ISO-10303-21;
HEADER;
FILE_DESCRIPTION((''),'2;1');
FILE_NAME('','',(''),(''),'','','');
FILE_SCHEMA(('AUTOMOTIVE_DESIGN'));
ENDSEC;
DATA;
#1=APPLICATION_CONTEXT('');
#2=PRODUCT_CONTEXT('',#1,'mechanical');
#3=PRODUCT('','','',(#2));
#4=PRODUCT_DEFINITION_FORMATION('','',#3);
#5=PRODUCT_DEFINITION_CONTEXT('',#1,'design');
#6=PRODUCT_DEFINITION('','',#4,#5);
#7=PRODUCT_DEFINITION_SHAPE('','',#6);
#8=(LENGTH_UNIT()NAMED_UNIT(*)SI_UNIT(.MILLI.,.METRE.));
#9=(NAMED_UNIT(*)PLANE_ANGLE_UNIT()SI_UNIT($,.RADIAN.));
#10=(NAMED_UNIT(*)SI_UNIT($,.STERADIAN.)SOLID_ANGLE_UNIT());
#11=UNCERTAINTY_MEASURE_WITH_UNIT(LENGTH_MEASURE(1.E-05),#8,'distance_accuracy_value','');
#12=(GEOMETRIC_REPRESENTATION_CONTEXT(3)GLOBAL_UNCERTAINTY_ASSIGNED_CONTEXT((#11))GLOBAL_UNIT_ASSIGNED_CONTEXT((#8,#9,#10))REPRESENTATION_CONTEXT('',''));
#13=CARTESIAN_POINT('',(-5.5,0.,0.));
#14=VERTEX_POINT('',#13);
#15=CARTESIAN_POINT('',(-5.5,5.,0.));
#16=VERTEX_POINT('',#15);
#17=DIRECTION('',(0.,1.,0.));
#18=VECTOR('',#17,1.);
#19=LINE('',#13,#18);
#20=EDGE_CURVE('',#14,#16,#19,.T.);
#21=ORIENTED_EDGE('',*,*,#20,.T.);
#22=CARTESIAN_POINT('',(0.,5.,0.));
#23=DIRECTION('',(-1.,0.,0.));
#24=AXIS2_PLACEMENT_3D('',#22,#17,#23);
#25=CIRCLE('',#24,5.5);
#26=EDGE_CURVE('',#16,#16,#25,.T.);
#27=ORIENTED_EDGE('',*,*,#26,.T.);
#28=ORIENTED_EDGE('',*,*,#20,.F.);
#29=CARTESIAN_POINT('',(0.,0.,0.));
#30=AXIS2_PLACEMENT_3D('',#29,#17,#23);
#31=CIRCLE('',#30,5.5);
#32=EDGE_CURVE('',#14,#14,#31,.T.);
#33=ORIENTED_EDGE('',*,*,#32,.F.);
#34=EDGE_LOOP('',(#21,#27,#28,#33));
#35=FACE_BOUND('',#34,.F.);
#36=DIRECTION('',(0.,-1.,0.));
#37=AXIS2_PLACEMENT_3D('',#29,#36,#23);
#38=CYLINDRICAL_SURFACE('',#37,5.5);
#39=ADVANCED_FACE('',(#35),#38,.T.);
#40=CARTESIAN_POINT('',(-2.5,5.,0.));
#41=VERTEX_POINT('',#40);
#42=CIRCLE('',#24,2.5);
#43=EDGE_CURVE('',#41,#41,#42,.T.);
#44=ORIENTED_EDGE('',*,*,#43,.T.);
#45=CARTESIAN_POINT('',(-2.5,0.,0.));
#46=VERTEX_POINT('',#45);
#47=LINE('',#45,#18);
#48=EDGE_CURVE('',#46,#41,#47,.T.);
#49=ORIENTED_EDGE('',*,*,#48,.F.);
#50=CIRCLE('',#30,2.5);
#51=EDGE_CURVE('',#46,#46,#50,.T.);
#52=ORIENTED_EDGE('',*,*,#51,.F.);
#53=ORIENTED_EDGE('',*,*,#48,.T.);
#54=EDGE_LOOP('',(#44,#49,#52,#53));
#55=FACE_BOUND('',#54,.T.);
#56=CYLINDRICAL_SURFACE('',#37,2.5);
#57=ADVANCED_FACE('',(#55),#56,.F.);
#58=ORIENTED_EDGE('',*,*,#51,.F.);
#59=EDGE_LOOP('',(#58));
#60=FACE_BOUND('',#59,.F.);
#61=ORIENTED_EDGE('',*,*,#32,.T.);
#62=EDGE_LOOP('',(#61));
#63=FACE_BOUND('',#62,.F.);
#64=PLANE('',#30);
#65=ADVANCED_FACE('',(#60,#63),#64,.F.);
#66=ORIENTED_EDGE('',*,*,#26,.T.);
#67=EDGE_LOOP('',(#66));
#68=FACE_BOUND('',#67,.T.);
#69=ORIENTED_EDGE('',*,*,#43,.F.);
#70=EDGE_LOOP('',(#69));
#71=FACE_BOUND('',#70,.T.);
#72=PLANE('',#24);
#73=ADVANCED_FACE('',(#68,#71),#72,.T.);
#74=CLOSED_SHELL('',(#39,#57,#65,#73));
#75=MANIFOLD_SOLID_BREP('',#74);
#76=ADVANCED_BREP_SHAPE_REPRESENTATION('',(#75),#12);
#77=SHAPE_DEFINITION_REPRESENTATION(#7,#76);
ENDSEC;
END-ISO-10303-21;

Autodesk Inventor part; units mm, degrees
ref_plane "YZ Plane" through (0, 0, 0) normal (1, 0, 0) x (0, 1, 0)
ref_plane "XZ Plane" through (0, 0, 0) normal (0, 1, 0) x (-1, 0, 0)
ref_plane "XY Plane" through (0, 0, 0) normal (0, 0, 1) x (1, 0, 0)
sketch "Sketch1" plane through (0, 0, 0) normal (0, 1, 0) x (-1, 0, 0)
  circle A0 centre (0, 0) radius 2.5
  circle A1 centre (0, 0) radius 5.5
  dimension "d0" = 5
  dimension "d1" = 11
extrude "Extrusion1" add sketch "Sketch1" along normal blind 5
properties part number "5x5x11bearing"
